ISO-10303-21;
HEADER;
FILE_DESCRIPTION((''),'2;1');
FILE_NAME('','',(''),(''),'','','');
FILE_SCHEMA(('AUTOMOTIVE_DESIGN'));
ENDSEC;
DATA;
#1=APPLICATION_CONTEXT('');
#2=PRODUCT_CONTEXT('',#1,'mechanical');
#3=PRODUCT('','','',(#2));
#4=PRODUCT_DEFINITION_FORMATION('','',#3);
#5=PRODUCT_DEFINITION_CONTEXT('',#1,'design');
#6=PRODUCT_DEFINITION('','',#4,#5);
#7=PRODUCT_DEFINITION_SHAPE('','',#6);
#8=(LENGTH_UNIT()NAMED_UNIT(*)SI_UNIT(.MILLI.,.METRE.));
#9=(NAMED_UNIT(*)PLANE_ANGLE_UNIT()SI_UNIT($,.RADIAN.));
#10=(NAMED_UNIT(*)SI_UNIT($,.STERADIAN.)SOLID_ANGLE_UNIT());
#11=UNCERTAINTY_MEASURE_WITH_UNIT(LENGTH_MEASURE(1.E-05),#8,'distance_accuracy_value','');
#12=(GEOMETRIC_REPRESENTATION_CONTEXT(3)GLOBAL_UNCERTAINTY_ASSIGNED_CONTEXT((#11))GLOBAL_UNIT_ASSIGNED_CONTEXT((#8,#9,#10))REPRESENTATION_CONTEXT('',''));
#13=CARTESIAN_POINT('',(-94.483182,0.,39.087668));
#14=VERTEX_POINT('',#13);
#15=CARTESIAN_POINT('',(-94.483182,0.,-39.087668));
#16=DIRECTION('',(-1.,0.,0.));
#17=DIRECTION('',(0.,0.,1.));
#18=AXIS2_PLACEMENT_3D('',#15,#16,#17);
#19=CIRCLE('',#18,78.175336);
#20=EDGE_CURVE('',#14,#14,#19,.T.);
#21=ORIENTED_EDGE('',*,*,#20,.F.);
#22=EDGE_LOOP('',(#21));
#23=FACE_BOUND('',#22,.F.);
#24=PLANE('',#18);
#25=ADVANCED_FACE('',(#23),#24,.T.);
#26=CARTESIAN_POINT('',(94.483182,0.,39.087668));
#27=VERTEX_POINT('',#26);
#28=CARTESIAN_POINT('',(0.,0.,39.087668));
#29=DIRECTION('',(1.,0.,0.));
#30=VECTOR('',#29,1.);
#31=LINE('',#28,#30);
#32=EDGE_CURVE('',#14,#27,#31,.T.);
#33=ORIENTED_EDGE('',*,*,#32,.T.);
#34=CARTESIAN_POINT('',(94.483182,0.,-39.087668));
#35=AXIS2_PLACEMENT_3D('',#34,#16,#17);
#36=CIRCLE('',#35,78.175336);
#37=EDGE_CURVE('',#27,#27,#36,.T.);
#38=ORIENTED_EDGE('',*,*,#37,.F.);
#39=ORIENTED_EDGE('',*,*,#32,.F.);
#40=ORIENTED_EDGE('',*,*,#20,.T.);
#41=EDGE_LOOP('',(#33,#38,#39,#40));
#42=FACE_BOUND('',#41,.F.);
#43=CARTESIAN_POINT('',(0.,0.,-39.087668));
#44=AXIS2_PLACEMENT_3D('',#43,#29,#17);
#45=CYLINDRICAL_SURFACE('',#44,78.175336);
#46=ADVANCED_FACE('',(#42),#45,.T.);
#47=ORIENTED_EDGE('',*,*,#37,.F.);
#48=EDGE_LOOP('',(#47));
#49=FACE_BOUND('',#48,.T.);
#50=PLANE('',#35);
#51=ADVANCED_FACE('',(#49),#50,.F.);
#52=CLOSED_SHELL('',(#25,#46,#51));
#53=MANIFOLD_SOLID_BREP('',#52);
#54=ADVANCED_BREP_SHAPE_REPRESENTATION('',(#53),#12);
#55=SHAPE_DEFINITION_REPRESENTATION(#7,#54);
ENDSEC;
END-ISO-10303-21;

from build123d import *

# Parameters (mm, degrees)
F0_W = 188.966364
F0_H = 78.175336


with BuildPart() as f1:
    # F0 (on Front) → F1 (revolve)
    with BuildSketch(Plane.XZ):
        Rectangle(F0_W, F0_H)
    revolve(axis=Axis((0, 0, -39.087668), (-1, 0, 0)))


solid = f1.part
